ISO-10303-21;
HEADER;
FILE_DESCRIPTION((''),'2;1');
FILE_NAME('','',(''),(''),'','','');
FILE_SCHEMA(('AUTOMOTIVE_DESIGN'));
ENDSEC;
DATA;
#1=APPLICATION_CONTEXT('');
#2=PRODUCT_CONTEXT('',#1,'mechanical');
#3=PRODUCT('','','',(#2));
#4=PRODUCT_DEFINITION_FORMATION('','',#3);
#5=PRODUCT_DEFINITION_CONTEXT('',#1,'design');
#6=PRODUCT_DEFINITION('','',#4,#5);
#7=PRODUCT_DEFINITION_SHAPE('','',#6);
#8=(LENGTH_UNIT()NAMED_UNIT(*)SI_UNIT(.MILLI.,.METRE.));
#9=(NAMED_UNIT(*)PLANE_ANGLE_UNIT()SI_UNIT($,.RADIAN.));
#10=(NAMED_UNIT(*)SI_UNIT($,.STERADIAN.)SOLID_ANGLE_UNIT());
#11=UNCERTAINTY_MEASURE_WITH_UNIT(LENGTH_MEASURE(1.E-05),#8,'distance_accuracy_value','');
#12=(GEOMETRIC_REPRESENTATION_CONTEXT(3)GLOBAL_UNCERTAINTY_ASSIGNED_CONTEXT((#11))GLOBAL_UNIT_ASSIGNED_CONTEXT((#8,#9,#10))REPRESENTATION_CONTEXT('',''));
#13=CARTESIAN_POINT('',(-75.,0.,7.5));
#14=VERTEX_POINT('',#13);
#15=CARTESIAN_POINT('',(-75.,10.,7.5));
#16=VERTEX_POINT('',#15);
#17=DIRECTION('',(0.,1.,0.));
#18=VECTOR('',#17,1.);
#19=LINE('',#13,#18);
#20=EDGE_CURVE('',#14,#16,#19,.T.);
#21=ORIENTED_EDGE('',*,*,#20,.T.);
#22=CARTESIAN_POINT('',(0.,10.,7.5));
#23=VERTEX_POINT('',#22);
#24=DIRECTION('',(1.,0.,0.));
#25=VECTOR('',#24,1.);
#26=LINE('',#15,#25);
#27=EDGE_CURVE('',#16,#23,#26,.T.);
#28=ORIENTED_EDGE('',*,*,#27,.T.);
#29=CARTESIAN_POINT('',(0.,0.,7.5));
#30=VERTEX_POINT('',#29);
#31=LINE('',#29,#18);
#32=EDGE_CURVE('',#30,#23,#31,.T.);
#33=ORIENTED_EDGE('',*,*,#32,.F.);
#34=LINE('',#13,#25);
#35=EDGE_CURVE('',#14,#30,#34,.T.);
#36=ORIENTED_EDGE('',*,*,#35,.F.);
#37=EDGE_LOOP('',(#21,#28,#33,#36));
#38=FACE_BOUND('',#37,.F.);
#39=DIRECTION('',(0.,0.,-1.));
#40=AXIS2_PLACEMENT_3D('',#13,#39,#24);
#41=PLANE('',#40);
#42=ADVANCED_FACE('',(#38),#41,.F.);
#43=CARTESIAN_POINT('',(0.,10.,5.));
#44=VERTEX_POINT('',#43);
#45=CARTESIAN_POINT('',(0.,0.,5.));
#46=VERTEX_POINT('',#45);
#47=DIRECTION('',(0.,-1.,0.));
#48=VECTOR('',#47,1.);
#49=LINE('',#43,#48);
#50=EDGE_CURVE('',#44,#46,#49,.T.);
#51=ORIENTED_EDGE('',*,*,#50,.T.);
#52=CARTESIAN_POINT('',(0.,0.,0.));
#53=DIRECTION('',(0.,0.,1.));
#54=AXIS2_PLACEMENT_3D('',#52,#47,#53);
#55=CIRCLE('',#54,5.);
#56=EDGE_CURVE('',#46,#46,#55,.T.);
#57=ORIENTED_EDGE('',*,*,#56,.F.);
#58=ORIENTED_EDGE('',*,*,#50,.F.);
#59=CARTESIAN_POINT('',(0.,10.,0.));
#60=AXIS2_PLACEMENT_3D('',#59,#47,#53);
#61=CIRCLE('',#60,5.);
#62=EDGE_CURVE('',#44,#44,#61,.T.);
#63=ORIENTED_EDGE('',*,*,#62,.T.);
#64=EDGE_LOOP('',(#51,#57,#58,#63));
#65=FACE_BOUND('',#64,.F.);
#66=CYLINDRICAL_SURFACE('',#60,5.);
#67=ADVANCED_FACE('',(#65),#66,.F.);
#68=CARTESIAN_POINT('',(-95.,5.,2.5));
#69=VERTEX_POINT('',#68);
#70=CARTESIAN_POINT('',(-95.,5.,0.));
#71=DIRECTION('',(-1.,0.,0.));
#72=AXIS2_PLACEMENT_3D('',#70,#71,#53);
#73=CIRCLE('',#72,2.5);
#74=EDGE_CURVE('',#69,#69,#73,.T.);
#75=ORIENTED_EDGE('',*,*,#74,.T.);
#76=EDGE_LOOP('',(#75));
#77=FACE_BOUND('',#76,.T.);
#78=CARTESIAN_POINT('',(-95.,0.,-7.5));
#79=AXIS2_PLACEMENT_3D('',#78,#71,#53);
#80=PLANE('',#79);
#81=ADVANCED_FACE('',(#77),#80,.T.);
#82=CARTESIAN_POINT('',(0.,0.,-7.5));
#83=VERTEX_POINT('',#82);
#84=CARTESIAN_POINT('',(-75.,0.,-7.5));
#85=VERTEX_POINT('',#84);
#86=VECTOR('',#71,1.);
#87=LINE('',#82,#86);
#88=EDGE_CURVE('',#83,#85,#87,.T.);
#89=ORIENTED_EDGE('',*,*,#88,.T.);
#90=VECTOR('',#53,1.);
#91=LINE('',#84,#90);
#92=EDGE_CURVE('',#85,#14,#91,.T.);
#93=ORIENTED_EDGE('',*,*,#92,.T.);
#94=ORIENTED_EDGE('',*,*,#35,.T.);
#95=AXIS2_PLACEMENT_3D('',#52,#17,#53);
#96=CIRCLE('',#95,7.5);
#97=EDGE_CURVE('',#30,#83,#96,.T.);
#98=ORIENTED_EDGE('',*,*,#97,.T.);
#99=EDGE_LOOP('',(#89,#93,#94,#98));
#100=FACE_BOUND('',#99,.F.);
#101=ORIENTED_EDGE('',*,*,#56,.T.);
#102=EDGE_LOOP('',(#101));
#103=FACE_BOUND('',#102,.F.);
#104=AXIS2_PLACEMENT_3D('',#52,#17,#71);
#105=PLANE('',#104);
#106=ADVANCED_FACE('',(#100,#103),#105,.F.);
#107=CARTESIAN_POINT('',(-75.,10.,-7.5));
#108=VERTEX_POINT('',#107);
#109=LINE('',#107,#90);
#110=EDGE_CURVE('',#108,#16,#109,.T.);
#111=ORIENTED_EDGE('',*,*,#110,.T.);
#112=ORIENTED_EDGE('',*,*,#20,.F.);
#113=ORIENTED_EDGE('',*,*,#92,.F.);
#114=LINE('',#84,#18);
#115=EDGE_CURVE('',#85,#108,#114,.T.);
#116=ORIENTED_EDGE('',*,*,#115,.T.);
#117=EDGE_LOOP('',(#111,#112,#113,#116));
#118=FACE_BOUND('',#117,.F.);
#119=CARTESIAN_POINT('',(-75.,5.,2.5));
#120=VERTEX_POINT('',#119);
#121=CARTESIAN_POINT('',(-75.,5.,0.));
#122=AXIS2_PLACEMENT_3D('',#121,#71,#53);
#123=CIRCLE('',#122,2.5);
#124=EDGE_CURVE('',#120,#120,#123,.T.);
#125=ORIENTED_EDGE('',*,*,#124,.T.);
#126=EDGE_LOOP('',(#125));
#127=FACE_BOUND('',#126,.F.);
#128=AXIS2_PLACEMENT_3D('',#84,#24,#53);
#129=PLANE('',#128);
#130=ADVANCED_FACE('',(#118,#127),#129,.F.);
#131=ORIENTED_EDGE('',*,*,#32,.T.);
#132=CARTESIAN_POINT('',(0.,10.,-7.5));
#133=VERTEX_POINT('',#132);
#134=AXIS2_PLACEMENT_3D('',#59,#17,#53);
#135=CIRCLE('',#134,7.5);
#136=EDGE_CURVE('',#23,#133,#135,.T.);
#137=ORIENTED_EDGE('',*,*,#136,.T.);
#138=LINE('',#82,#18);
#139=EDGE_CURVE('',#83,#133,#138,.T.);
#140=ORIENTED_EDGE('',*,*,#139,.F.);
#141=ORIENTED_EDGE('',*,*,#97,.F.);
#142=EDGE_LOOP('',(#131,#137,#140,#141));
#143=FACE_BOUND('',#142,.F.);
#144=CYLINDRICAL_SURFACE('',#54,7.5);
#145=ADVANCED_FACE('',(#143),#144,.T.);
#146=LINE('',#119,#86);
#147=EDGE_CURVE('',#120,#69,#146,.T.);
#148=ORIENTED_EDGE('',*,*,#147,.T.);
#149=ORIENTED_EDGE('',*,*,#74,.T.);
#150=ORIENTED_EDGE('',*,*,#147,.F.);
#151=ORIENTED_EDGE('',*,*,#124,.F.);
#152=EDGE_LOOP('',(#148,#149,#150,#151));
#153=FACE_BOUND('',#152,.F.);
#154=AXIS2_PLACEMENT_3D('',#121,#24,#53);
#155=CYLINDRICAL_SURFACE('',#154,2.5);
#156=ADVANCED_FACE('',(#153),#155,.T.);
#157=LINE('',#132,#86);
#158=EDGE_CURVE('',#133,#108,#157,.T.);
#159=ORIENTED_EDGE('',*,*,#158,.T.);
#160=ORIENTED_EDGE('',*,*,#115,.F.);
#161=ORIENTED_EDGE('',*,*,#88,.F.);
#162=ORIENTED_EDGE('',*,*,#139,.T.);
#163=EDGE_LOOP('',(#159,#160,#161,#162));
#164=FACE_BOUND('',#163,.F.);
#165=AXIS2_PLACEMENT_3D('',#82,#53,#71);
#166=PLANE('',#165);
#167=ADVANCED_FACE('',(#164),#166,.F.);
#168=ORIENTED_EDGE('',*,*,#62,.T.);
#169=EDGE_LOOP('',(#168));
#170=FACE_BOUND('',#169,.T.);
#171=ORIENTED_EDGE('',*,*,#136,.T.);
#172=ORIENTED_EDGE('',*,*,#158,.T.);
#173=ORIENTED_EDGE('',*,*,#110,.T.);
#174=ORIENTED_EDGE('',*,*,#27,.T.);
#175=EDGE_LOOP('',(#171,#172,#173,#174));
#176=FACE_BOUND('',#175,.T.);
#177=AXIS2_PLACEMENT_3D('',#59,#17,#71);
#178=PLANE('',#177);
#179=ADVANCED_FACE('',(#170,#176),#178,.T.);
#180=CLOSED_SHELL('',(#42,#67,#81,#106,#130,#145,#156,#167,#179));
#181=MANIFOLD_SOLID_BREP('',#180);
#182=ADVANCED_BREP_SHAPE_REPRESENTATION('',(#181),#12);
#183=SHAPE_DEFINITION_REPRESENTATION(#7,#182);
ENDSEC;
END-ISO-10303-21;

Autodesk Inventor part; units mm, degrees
ref_plane "YZ Plane" through (0, 0, 0) normal (1, 0, 0) x (0, 1, 0)
ref_plane "XZ Plane" through (0, 0, 0) normal (0, 1, 0) x (-1, 0, 0)
ref_plane "XY Plane" through (0, 0, 0) normal (0, 0, 1) x (1, 0, 0)
sketch "Sketch1" plane through (0, 0, 0) normal (0, 1, 0) x (-1, 0, 0)
  point P0 (0, 0)
sketch "Sketch2" plane through (0, 0, 0) normal (0, 1, 0) x (-1, 0, 0)
  line L0 (0, 0) -> (0, -7.5)
  line L1 (0, -7.5) -> (75, -7.5)
  line L2 (75, -7.5) -> (75, 7.5)
  line L3 (75, 7.5) -> (0, 7.5)
  line L4 (0, 7.5) -> (0, 0)
  arc A0 (0, 7.5) -> (0, -7.5) centre (0, 0) ccw
  dimension "d0" = 7.5
  dimension "d1" = 75
  dimension "d2" = 15
extrude "Extrusion1" add sketch "Sketch2" along normal blind 10
sketch "Sketch3" plane through (0, 10, 0) normal (0, 1, 0) x (1, 0, 0)
  point P0 (0, 0)
  point P1 (0, 0)
hole "Hole1" at (0, 10, 0) direction (0, -1, 0) diameter 10 end through all
sketch "Sketch4" plane through (-75, 0, -7.5) normal (-1, 0, 0) x (0, 0, 1)
  circle A0 centre (7.5, 5) radius 2.5
  point P0 (7.5, 0)
  dimension "d14" = 5
extrude "Extrusion2" add sketch "Sketch4" along normal blind 20
properties part number "Arm"
